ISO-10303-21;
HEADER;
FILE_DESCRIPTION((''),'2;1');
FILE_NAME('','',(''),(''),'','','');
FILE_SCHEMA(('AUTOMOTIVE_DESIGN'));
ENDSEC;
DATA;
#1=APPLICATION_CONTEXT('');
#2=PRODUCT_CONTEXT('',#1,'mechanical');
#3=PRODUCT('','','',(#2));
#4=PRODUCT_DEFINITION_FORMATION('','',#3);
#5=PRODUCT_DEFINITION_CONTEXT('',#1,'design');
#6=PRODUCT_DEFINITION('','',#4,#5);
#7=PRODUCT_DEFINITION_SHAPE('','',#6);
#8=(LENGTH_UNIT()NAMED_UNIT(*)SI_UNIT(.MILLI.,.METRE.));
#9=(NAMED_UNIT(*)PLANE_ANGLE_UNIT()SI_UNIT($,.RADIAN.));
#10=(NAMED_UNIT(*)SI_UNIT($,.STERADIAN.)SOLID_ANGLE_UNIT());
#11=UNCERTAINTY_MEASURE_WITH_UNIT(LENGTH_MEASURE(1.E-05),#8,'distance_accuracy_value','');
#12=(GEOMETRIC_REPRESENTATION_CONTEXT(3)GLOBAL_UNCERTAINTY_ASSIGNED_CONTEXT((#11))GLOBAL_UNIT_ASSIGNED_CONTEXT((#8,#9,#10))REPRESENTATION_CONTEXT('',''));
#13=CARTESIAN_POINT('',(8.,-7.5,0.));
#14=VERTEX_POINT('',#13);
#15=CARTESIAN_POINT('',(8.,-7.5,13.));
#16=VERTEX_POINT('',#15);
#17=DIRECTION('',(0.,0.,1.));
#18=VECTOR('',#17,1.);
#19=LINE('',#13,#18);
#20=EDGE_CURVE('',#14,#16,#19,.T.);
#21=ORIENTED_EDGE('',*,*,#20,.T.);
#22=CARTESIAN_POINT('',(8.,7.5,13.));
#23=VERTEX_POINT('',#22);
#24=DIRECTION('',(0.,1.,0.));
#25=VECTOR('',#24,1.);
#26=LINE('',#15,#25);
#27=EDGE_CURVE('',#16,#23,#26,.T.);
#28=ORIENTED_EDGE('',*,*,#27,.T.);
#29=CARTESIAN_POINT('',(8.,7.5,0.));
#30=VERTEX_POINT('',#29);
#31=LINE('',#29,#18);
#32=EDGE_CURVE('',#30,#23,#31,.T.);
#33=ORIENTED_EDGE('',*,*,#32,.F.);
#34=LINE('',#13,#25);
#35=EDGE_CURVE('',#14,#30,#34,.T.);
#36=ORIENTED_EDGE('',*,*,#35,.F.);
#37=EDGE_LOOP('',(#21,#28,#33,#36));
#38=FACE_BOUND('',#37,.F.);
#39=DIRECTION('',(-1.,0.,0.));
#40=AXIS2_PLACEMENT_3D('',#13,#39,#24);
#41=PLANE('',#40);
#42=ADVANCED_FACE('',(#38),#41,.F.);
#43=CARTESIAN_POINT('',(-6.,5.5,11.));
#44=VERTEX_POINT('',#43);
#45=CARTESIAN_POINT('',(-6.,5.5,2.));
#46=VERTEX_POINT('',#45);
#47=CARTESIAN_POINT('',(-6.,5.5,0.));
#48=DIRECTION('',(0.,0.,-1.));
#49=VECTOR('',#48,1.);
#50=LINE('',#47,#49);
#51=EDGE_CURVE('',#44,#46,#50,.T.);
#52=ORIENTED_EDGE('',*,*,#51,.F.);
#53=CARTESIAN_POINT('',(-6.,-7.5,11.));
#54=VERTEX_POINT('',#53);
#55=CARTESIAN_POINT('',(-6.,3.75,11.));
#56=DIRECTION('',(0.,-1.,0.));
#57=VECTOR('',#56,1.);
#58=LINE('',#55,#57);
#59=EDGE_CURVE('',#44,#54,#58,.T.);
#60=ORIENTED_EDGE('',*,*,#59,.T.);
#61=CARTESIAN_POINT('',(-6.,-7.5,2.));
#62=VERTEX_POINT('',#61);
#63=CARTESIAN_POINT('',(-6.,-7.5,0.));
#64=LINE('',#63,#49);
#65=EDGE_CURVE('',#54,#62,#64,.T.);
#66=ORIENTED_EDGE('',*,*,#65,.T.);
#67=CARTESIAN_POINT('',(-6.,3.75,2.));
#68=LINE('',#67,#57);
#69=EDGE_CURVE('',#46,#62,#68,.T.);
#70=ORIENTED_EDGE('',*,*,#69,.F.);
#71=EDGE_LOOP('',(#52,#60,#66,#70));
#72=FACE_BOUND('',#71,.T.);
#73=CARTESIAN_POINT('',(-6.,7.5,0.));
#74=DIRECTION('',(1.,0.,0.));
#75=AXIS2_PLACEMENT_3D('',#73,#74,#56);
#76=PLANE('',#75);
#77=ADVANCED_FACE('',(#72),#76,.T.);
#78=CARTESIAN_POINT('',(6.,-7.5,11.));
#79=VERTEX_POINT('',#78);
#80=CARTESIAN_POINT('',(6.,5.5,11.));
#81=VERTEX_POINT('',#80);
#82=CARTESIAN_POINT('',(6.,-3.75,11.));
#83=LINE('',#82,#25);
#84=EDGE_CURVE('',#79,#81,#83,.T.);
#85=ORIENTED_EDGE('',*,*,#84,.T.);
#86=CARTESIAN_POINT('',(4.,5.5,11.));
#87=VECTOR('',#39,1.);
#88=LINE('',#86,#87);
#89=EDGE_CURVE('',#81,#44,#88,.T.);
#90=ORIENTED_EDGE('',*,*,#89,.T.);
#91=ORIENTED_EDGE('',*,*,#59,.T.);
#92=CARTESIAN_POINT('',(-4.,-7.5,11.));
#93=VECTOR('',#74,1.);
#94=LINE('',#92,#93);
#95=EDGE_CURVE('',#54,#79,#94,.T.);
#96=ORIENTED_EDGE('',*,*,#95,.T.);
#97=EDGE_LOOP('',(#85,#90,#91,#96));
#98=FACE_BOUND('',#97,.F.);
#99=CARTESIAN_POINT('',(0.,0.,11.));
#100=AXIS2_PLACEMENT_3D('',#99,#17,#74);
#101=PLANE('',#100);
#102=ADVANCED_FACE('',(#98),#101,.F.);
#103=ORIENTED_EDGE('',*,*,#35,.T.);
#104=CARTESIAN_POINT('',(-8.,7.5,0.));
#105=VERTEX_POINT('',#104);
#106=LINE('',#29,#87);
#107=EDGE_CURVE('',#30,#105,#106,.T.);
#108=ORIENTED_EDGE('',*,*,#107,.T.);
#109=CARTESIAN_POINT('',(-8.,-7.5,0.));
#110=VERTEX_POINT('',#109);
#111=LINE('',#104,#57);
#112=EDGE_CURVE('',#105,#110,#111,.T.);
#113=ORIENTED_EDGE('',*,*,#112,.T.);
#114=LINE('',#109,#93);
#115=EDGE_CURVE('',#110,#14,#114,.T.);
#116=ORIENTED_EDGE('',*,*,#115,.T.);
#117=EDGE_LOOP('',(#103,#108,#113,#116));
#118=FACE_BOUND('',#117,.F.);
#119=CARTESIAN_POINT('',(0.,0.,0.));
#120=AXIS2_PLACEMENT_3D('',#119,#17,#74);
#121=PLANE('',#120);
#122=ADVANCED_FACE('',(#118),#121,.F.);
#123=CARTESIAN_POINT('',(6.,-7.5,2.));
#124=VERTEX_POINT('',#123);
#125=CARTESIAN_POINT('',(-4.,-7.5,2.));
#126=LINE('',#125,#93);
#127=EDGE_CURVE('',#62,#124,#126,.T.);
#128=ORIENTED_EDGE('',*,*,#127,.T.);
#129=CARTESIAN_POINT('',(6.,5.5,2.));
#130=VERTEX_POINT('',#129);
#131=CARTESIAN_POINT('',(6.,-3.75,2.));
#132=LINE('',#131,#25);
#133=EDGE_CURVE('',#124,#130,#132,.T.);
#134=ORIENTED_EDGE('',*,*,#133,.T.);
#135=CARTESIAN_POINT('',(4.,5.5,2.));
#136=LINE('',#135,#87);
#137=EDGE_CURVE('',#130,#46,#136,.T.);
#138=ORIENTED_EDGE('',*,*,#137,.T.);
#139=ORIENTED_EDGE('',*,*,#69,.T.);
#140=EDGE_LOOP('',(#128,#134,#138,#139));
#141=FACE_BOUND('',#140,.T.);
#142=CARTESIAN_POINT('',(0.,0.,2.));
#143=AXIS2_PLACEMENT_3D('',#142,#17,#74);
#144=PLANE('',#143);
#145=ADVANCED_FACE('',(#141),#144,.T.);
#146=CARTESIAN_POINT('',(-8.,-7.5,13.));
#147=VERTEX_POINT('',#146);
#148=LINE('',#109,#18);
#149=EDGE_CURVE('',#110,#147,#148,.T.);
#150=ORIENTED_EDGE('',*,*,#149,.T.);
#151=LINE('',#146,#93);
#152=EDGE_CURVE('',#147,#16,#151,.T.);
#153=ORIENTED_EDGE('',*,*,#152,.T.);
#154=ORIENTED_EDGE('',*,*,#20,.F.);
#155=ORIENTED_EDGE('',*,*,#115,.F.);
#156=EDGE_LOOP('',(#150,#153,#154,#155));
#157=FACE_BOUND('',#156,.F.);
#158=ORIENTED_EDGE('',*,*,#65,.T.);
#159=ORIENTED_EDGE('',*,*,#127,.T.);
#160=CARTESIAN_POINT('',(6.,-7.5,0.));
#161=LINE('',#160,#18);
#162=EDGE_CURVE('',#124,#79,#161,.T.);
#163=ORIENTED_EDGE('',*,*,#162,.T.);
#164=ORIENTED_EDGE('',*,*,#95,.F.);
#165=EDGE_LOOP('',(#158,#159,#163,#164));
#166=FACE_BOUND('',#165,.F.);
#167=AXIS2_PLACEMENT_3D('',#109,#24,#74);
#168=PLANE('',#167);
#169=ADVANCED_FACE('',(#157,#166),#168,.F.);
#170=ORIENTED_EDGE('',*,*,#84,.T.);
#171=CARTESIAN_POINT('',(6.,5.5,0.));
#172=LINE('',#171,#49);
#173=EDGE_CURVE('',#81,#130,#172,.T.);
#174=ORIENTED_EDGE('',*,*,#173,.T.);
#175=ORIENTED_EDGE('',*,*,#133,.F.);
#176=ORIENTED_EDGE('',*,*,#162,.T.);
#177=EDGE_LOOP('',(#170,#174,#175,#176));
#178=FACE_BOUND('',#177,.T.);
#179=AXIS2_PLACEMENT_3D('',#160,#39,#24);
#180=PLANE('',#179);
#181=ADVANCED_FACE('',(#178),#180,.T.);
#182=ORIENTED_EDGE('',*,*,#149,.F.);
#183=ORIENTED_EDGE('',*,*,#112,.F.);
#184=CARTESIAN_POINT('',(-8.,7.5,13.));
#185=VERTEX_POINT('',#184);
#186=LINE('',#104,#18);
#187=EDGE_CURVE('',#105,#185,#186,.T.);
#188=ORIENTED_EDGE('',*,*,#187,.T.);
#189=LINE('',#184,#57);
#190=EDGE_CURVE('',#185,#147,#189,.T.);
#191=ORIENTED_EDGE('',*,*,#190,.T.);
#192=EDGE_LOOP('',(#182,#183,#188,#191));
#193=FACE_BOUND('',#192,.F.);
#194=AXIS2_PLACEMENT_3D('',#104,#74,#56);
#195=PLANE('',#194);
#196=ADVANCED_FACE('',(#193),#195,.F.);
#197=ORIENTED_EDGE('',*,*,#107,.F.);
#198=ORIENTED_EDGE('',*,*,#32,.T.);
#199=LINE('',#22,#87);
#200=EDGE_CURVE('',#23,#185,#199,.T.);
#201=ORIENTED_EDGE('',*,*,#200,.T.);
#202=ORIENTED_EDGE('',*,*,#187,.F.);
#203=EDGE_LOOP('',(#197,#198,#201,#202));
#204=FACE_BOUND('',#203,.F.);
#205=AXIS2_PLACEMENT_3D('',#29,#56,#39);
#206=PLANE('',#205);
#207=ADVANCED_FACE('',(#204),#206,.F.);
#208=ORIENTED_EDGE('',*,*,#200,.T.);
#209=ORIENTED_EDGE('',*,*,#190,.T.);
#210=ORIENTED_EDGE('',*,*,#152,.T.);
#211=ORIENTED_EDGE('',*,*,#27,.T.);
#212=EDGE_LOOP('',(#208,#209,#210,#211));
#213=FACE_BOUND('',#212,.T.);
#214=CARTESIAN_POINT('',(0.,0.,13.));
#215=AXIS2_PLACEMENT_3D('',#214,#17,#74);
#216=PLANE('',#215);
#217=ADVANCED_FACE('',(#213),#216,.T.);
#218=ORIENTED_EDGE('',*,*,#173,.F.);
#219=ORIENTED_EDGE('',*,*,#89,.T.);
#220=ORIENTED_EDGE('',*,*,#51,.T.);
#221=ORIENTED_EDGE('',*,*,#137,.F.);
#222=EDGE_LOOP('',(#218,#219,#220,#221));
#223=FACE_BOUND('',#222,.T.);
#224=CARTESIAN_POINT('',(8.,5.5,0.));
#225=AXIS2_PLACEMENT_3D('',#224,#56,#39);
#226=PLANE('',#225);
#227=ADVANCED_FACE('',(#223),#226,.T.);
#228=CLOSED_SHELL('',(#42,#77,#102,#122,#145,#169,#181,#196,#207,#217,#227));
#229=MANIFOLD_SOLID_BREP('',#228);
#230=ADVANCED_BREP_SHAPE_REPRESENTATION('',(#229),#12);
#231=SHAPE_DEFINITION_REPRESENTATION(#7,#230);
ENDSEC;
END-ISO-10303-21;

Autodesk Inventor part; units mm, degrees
ref_plane "YZ Plane" through (0, 0, 0) normal (1, 0, 0) x (0, 1, 0)
ref_plane "XZ Plane" through (0, 0, 0) normal (0, 1, 0) x (-1, 0, 0)
ref_plane "XY Plane" through (0, 0, 0) normal (0, 0, 1) x (1, 0, 0)
sketch "Skizze1" plane through (0, 0, 0) normal (0, 0, 1) x (1, 0, 0)
  line L0 (-8, -7.5) -> (8, -7.5)
  line L1 (8, -7.5) -> (8, 7.5)
  line L2 (8, 7.5) -> (-8, 7.5)
  line L3 (-8, 7.5) -> (-8, -7.5)
  line L4 (-8, -7.5) -> (8, 7.5) construction
  line L5 (8, -7.5) -> (-8, 7.5) construction
  point P0 (0, 0)
  dimension "d0" = 16
  dimension "d1" = 15
extrude "Extrusion1" add sketch "Skizze1" along normal blind 13
shell "Wandstärke1" thickness 2 removed faces 1 at (-2.6667, -7.5, 4.3333)
properties part number "RJ45-Buchse" material "Stahl, verchromt"
